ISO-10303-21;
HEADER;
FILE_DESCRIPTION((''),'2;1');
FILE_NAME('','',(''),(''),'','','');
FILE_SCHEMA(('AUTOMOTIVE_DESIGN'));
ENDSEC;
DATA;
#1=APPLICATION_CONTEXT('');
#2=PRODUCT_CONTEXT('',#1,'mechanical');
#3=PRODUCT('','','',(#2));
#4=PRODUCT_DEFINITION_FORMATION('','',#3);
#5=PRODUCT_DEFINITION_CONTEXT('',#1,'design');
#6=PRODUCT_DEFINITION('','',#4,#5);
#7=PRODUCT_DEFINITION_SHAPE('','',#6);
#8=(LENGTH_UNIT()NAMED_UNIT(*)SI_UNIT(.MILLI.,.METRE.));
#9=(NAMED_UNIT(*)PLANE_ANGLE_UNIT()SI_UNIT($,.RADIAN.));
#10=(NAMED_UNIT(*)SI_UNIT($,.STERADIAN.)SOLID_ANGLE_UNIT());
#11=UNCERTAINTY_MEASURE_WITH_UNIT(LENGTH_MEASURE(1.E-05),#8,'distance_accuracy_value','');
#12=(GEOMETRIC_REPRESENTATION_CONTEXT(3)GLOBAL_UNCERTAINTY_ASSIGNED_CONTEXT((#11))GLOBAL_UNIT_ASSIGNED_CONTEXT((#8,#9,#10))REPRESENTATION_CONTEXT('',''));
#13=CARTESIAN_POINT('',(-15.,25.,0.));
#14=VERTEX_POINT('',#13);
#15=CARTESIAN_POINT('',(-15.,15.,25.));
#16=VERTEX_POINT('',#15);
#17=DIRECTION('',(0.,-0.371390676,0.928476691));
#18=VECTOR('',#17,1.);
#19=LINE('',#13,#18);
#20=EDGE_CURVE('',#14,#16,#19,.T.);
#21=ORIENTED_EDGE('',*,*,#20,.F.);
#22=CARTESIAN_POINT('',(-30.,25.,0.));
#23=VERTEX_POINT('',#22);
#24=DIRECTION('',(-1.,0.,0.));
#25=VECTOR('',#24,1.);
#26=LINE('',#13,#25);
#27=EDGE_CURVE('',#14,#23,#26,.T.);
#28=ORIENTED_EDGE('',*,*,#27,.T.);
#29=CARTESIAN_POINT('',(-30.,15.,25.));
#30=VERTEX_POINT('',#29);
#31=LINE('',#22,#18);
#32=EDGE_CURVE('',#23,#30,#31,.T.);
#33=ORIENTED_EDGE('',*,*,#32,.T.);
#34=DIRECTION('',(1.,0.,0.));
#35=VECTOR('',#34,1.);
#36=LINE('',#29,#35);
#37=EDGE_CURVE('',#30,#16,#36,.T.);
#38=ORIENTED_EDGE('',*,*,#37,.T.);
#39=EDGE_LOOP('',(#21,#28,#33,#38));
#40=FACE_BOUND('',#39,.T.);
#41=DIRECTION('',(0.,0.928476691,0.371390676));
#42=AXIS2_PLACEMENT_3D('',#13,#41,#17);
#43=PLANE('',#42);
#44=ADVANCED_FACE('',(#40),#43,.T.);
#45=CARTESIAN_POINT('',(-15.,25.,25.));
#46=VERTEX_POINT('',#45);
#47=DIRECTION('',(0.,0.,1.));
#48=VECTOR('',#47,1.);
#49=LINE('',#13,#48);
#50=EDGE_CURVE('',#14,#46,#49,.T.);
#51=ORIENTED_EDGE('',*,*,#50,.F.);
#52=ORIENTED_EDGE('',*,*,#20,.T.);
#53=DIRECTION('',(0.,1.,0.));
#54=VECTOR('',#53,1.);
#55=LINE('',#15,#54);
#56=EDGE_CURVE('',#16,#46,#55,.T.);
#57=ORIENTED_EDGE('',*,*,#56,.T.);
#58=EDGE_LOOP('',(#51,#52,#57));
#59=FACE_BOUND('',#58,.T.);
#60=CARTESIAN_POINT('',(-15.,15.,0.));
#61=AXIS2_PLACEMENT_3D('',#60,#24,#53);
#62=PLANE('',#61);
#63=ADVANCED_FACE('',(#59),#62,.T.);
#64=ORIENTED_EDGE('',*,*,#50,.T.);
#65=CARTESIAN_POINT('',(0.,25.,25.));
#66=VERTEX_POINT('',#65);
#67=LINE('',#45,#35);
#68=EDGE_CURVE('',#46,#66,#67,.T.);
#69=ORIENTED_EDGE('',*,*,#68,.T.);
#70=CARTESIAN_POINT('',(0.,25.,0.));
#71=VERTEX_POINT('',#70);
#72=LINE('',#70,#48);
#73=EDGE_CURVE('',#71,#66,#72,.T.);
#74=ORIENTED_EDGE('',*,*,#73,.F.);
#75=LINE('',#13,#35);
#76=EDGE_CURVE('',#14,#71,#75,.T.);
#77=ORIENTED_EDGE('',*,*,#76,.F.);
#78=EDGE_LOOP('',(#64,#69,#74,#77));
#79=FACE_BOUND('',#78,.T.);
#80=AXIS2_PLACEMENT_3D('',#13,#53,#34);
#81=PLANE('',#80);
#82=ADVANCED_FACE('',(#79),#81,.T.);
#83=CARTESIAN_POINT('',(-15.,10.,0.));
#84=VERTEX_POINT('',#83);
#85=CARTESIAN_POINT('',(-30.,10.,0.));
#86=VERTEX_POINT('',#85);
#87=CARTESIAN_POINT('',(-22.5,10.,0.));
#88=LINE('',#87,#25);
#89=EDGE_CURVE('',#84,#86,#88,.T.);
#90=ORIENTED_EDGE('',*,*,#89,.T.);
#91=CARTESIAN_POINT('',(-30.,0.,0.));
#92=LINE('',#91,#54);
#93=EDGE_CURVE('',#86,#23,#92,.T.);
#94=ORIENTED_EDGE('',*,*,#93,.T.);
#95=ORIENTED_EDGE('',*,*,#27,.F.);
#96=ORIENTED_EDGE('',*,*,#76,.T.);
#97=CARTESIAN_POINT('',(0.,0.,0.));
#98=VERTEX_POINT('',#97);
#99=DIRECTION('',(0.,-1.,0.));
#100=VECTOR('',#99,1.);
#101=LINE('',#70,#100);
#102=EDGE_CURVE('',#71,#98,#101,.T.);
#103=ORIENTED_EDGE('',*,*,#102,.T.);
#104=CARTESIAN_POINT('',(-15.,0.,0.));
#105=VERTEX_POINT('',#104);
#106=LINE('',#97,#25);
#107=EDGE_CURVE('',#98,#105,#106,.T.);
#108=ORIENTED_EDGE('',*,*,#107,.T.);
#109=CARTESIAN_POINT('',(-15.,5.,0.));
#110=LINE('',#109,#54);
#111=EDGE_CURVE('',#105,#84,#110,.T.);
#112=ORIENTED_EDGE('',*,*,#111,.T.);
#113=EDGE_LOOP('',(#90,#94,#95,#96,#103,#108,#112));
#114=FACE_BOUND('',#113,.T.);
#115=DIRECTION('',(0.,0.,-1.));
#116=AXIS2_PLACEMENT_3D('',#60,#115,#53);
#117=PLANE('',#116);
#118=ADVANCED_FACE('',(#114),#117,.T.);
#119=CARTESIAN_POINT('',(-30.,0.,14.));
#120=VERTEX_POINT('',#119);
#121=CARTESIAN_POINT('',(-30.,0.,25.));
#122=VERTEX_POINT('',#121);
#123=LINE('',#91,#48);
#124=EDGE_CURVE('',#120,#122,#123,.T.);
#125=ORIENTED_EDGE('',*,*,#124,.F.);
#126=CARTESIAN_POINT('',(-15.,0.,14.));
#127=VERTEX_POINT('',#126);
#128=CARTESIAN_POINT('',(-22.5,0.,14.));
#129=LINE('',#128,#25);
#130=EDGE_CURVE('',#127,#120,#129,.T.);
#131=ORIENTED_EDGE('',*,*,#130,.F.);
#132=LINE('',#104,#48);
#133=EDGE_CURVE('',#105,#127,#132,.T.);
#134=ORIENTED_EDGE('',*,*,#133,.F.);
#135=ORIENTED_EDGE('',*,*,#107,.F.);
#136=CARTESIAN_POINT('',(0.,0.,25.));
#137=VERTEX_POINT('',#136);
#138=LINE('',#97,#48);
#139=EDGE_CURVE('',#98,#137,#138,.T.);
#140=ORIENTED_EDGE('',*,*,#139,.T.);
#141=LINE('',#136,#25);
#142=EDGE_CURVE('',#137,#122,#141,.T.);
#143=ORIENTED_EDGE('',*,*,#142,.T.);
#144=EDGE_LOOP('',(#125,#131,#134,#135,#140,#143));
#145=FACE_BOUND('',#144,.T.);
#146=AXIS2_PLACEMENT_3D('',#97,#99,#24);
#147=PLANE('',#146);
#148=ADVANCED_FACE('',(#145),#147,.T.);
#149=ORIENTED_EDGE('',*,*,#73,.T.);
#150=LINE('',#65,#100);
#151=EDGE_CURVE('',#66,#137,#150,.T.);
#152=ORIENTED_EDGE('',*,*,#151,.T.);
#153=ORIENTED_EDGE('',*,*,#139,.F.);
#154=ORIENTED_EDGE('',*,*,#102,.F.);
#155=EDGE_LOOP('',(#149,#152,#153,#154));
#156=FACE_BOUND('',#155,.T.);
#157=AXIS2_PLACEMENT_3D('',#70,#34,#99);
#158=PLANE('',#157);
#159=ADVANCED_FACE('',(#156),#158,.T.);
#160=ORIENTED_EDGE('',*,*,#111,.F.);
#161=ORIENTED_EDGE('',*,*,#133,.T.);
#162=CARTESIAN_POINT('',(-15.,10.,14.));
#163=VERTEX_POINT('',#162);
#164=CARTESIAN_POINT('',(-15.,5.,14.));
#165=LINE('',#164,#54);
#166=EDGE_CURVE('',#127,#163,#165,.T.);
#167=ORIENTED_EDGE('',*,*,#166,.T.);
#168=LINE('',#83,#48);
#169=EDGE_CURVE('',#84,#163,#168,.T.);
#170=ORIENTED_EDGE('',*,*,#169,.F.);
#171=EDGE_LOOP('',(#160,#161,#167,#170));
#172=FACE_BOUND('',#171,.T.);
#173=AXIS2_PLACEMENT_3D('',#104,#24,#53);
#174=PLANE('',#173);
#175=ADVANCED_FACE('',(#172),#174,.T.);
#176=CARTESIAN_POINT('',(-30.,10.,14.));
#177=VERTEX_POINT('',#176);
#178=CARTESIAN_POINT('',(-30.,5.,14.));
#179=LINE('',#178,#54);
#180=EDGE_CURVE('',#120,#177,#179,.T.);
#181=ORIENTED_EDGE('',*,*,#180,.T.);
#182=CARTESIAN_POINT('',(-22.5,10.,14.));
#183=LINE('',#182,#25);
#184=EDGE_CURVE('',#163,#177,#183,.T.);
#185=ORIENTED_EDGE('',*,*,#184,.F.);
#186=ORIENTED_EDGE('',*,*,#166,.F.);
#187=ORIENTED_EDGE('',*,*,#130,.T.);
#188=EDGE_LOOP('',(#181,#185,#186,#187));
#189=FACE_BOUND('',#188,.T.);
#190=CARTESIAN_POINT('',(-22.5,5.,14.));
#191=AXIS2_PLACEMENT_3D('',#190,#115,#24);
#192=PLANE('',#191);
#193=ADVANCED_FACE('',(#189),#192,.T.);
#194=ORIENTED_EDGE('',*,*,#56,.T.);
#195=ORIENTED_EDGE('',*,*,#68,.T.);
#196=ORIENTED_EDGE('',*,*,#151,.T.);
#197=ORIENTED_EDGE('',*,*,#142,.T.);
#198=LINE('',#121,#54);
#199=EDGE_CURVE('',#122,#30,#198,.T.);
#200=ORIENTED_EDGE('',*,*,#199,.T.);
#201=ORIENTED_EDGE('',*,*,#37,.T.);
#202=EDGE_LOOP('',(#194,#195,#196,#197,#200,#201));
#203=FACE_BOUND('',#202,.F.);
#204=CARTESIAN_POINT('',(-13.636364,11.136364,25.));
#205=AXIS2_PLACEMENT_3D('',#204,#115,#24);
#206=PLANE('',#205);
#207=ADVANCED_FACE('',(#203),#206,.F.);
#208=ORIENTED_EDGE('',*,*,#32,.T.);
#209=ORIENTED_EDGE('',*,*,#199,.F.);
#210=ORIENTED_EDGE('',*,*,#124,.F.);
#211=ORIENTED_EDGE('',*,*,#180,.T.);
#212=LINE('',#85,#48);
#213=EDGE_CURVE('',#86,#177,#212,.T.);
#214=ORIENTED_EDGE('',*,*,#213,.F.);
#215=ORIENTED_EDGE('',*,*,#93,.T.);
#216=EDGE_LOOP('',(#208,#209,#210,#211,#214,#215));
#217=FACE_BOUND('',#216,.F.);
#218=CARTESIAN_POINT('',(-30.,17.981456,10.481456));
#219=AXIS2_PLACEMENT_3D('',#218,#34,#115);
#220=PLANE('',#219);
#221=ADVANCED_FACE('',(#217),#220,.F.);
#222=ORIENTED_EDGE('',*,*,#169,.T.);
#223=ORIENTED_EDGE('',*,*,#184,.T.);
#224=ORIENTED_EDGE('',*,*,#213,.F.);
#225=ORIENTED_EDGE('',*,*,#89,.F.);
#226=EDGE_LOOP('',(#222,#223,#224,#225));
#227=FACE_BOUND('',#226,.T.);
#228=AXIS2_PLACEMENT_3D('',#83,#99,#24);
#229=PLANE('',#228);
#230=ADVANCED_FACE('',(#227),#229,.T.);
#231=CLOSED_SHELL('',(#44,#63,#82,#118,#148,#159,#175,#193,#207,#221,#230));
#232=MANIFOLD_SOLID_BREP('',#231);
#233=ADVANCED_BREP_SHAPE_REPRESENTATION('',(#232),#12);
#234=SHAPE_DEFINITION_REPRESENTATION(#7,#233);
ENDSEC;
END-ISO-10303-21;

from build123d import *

# Parameters (mm, degrees)
BOSS_EXTRUDE1_DEPTH = 25
BOSS_EXTRUDE2_DEPTH = 15
SKETCH3_W           = 15
SKETCH3_H           = 10
CUT_EXTRUDE1_DEPTH  = 14


with BuildPart() as part:
    # Sketch1 → Boss-Extrude1 (new body)
    with BuildSketch(Plane.XY):
        Polygon((-30, 15), (-15, 15), (-15, 25), (0, 25), (0, 0), (-30, 0), align=None)
    extrude(amount=BOSS_EXTRUDE1_DEPTH)

    # Sketch2 → Boss-Extrude2 (add)
    with BuildSketch(Plane.ZY.offset(15)):
        Polygon((0, 25), (25, 15), (0, 15), align=None)
    extrude(amount=BOSS_EXTRUDE2_DEPTH)

    # Sketch3 → Cut-Extrude1 (cut)
    with BuildSketch(Plane(origin=(0, 0, 0), x_dir=(-1, 0, 0), z_dir=(0, 0, -1))):
        with Locations((22.5, 5)):
            Rectangle(SKETCH3_W, SKETCH3_H)
    extrude(amount=-CUT_EXTRUDE1_DEPTH, mode=Mode.SUBTRACT)


solid = part.part
